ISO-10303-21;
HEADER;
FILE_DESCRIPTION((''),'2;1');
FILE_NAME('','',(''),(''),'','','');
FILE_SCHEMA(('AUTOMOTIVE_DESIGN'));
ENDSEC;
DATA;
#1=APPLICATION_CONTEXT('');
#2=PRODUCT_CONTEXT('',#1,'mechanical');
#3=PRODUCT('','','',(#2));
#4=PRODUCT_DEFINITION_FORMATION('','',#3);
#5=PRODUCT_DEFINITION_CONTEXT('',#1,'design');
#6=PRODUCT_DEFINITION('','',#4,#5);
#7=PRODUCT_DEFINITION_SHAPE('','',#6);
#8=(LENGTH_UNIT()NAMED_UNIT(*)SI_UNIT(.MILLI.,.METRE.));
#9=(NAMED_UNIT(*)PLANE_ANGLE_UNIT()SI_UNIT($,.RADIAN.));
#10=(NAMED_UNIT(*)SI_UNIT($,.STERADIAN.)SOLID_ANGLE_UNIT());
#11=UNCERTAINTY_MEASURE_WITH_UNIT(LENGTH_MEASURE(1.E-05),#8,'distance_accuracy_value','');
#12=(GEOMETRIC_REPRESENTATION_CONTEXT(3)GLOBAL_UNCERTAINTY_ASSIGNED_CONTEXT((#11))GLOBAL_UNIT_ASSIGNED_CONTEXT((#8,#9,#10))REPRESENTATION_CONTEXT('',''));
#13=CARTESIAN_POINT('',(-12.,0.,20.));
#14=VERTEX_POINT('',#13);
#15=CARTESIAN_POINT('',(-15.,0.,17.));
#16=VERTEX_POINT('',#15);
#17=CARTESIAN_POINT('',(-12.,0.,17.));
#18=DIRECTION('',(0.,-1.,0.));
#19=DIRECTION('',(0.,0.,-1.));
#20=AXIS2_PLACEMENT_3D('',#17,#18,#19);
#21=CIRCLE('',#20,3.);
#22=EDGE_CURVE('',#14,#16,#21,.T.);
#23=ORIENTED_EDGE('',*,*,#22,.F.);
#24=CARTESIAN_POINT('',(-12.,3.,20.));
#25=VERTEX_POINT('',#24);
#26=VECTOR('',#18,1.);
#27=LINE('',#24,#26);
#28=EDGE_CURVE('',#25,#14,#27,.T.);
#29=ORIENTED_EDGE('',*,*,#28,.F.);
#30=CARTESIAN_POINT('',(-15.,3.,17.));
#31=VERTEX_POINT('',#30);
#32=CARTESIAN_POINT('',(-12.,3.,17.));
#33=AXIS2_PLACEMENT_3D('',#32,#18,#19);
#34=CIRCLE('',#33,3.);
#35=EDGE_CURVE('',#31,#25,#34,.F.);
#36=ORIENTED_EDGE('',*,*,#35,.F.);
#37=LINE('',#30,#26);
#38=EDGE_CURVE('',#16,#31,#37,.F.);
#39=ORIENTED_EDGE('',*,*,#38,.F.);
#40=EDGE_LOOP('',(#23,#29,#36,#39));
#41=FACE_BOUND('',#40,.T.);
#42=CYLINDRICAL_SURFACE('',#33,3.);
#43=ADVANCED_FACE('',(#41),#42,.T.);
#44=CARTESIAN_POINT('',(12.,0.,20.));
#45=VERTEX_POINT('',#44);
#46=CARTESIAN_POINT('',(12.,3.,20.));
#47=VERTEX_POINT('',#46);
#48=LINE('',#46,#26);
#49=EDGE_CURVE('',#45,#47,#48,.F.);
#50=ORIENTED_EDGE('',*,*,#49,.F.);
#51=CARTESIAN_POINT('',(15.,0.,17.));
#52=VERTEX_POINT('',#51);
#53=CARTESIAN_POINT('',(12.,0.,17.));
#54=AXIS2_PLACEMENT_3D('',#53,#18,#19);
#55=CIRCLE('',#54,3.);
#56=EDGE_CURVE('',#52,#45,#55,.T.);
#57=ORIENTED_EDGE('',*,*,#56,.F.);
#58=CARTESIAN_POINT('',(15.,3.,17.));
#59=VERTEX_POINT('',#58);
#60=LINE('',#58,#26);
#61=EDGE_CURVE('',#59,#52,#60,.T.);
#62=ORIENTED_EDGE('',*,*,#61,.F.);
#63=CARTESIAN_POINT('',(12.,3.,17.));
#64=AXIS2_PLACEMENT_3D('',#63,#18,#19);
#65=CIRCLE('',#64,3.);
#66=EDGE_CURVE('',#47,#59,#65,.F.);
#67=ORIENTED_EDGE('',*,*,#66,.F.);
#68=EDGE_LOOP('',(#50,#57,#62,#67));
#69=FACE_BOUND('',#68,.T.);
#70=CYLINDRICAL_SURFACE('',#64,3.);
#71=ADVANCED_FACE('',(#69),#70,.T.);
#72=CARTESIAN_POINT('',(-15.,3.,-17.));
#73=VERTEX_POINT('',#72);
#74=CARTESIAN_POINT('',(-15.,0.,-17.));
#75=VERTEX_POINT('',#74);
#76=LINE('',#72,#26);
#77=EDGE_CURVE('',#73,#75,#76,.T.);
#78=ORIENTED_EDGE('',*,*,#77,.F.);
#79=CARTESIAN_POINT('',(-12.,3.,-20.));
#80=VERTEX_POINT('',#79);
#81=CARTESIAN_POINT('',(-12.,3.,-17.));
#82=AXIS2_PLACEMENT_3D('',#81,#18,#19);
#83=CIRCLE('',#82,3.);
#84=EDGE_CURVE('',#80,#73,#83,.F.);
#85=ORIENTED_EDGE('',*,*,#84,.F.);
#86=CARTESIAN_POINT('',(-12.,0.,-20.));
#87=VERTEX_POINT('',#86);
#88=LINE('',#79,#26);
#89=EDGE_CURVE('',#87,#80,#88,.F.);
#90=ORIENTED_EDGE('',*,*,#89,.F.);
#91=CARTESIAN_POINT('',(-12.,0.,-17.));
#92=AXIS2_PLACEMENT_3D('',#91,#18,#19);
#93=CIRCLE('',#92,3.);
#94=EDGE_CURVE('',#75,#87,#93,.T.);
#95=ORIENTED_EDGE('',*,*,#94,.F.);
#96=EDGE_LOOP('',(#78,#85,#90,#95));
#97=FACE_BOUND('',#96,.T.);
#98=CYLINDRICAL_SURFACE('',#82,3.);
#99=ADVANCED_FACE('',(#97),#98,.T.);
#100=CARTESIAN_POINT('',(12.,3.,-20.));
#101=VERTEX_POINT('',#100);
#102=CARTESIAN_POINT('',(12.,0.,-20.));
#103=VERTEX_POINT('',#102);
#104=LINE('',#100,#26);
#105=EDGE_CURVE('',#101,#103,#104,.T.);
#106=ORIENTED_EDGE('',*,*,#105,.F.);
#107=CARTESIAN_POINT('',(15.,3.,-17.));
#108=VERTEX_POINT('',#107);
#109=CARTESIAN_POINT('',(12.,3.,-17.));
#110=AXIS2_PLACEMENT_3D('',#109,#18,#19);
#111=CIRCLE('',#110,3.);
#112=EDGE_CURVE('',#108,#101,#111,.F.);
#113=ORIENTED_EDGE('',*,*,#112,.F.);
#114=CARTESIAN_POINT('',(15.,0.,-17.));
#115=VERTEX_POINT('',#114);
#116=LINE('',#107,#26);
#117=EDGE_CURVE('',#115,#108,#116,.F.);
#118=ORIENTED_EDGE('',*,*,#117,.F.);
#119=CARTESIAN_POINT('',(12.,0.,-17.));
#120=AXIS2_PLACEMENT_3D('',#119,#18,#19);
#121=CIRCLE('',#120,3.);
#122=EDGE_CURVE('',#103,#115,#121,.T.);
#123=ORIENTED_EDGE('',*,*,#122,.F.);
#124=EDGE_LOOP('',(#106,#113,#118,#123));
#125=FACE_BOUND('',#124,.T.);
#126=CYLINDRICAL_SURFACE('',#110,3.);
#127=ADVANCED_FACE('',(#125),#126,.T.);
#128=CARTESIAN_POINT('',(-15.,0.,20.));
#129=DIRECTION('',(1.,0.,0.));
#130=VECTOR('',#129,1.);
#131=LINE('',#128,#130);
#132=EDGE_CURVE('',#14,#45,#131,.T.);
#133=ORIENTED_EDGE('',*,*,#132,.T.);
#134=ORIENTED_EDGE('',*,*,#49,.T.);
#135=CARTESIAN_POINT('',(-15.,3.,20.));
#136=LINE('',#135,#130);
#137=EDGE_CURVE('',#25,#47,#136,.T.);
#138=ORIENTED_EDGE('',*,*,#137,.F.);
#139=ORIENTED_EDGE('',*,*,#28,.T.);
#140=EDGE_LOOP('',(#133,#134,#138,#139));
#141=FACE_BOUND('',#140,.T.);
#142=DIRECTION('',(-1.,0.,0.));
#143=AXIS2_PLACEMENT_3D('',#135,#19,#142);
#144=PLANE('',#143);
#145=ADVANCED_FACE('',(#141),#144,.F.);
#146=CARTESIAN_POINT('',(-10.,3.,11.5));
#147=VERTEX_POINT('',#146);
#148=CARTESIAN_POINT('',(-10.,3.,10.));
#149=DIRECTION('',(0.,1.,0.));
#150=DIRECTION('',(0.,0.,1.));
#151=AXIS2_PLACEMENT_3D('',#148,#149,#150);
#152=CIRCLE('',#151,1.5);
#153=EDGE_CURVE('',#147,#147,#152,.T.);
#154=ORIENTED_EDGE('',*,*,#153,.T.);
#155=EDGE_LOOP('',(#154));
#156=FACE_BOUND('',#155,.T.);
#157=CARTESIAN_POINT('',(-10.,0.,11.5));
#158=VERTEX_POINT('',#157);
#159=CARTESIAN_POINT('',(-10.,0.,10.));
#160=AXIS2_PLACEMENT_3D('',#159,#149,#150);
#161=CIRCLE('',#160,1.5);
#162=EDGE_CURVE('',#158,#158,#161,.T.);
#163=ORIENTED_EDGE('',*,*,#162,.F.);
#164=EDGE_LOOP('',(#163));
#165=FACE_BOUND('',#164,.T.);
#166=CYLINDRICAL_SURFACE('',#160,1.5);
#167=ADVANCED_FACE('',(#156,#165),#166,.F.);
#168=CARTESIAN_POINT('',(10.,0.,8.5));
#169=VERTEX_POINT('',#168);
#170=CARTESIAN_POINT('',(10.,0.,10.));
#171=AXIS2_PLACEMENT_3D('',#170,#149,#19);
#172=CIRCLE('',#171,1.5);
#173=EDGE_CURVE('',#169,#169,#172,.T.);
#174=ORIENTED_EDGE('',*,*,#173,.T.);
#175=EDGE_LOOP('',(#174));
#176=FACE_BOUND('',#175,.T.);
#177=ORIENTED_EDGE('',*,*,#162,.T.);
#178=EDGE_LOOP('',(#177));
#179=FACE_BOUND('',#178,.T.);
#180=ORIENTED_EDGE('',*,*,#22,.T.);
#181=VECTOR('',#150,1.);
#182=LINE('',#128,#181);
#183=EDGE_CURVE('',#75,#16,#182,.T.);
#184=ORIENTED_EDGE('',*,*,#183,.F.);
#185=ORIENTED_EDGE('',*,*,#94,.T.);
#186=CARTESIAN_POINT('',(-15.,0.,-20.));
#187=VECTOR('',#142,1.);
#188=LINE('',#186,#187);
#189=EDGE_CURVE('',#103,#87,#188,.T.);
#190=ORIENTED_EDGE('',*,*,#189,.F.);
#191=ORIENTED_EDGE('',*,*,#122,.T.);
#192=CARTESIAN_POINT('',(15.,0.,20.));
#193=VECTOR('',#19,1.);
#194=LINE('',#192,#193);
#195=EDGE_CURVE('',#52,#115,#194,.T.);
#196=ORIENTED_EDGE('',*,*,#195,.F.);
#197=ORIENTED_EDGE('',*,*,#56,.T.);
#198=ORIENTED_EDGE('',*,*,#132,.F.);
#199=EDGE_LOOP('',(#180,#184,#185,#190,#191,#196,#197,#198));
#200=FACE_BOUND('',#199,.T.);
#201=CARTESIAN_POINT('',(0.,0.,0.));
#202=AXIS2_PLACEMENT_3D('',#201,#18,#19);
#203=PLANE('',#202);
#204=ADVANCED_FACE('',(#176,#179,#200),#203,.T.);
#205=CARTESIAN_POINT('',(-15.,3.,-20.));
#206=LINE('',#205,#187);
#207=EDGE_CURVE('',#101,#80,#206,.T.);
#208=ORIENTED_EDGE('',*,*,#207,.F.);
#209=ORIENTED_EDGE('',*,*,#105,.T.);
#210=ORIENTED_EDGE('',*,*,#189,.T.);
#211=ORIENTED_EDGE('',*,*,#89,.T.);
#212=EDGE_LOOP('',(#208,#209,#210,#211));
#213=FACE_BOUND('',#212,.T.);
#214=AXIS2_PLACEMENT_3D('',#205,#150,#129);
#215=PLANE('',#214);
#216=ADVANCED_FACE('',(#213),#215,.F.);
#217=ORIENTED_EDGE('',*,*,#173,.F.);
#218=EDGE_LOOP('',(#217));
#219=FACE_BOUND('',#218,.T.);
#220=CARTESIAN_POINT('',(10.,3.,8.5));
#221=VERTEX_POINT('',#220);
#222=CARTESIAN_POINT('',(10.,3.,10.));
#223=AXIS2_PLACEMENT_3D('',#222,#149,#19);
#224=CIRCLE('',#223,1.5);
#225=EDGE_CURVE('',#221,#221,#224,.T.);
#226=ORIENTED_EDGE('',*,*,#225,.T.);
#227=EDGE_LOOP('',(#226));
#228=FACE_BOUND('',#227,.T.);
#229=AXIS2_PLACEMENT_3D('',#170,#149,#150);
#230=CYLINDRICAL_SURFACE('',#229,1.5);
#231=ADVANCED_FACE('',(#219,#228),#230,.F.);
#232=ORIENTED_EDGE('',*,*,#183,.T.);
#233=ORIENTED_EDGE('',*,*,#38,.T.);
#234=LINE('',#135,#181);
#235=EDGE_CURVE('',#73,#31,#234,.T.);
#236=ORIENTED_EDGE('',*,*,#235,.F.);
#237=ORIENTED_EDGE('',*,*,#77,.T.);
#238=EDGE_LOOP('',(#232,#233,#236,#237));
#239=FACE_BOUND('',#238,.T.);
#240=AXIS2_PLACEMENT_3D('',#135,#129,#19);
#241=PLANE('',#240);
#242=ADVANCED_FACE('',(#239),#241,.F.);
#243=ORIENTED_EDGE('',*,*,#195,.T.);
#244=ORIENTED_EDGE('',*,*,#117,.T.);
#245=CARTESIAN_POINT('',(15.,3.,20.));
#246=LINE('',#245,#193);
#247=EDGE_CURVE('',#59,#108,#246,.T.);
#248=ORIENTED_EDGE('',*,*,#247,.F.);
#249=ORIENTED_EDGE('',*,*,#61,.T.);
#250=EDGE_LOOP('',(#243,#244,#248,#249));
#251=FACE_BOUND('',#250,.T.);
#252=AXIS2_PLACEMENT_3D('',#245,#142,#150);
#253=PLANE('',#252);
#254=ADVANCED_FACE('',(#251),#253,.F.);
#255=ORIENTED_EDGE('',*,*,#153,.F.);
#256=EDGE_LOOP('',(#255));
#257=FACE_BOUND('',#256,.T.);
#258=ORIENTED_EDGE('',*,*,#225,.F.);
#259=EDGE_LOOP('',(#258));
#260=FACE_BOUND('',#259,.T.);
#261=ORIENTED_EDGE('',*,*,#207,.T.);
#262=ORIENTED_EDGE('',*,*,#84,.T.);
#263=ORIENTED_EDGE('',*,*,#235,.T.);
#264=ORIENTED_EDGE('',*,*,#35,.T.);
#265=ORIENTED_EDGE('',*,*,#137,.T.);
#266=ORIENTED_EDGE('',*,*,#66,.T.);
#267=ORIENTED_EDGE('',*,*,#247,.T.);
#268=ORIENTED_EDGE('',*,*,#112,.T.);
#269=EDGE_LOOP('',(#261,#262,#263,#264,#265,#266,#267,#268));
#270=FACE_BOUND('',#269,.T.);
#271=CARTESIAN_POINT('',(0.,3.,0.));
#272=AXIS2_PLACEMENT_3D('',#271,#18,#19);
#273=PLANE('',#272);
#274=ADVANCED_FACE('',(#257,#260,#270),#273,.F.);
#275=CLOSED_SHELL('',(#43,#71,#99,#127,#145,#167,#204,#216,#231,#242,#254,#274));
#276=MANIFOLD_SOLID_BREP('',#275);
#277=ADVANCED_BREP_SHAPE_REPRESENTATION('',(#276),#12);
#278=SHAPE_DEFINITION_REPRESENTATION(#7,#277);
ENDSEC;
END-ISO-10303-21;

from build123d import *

# Parameters (mm, degrees)
SKETCH_1_W          = 30
SKETCH_1_H          = 40
EXTRUDE_1_DEPTH     = 3
SKETCH_2_R          = 1.5
CUT_EXTRUDE_1_DEPTH = 26.179356624
FILLET_1_R          = 3


with BuildPart() as part:
    # 草图1 → 凸台-拉伸1 (new body)
    with BuildSketch(Plane(origin=(0, 0, 0), x_dir=(1, 0, 0), z_dir=(0, 1, 0))):
        Rectangle(SKETCH_1_W, SKETCH_1_H)
    extrude(amount=EXTRUDE_1_DEPTH)

    # 草图2 → 切除-拉伸1 (cut, through all)
    with BuildSketch(Plane(origin=(0, 3, 0), x_dir=(1, 0, 0), z_dir=(0, 1, 0))):
        with Locations(Location((-10, -10, 0), (0, 0, 270))):
            Circle(SKETCH_2_R)
        with Locations(Location((10, -10, 0), (0, 0, 90))):
            Circle(SKETCH_2_R)
    extrude(amount=-CUT_EXTRUDE_1_DEPTH, mode=Mode.SUBTRACT)

    # 圆角1
    fillet_1_edges = [part.edges().sort_by_distance(p)[0] for p in [
        (15, 1.5, 20),
        (-15, 1.5, 20),
        (-15, 1.5, -20),
        (15, 1.5, -20),
    ]]
    fillet(fillet_1_edges, radius=FILLET_1_R)


solid = part.part
